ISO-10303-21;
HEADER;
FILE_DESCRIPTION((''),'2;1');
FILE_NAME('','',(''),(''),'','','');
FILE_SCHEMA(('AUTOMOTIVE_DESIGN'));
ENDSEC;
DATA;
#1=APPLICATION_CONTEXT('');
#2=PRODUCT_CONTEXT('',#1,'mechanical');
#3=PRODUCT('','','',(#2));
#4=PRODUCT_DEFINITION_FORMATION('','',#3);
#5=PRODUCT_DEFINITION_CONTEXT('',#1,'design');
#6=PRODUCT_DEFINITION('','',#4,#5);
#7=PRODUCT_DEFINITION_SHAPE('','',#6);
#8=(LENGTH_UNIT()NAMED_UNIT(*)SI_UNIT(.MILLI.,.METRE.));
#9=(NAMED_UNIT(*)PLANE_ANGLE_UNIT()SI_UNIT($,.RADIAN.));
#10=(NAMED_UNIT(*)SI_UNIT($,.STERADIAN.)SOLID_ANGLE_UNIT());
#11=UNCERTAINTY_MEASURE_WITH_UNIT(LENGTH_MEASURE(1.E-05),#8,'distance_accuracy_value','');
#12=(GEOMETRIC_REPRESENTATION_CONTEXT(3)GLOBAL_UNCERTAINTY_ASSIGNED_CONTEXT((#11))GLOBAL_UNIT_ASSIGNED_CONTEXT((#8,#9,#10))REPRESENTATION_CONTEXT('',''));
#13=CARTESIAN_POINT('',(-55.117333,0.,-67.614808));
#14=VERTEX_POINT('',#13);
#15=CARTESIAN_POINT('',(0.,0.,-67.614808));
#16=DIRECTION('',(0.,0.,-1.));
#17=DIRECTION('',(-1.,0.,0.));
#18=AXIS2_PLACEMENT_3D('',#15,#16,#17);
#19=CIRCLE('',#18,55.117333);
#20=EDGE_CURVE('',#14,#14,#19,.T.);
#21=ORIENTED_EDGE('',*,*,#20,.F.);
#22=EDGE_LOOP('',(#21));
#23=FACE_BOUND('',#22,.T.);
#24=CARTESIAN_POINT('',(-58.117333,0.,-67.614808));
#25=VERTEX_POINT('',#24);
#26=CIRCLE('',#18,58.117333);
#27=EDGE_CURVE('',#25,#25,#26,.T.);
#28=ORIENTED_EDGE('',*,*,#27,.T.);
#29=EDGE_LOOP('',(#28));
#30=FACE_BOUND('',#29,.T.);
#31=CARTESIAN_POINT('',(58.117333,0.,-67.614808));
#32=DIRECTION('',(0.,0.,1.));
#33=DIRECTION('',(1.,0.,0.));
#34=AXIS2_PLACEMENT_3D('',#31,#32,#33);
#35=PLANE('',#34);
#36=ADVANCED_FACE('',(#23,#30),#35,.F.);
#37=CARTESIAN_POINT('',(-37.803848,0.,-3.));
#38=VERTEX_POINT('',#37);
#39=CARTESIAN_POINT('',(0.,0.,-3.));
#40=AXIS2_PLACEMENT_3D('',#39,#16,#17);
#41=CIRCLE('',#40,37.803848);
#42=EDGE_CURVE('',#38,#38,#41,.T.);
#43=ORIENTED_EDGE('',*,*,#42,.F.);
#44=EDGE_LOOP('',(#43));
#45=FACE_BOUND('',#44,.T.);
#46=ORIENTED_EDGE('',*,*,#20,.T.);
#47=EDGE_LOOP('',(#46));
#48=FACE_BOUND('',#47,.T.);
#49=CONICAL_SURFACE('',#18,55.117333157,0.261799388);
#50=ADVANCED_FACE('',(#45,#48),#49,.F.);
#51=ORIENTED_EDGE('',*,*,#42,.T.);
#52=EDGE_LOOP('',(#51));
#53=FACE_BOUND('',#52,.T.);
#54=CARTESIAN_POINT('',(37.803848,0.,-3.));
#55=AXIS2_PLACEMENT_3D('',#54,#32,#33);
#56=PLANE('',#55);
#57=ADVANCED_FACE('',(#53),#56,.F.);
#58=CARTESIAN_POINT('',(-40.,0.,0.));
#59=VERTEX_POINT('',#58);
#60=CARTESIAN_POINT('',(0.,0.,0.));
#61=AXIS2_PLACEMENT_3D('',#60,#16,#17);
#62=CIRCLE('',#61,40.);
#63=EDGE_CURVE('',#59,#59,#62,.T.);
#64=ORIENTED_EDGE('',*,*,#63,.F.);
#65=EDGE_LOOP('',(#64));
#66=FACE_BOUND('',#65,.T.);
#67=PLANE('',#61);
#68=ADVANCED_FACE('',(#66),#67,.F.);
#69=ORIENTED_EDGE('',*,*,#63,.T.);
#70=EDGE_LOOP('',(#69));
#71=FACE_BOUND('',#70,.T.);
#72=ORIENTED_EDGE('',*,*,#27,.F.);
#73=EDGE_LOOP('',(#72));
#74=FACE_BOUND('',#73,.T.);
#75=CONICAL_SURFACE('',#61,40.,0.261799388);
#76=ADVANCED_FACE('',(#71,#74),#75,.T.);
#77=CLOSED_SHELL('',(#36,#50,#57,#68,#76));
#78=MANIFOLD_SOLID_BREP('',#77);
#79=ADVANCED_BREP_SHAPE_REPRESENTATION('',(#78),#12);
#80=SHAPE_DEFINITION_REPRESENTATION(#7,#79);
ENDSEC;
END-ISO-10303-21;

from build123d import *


with BuildPart() as part:
    # Sketch1 → Revolve1 (revolve)
    with BuildSketch(Plane(origin=(0, 0, 0), x_dir=(1, 0, 0), z_dir=(0, 1, 0)), mode=Mode.PRIVATE) as revolve1_sk:
        Polygon((0, 0), (40, 0), (58.117333157, 67.61480784), (55.117333157, 67.61480784), (37.803847577, 3), (0, 3), align=None)
    revolve(revolve1_sk.sketch.rotate(Axis((0, 0, -3), (0, 0, 1)), 180), axis=Axis((0, 0, -3), (0, 0, 1)))


solid = part.part
